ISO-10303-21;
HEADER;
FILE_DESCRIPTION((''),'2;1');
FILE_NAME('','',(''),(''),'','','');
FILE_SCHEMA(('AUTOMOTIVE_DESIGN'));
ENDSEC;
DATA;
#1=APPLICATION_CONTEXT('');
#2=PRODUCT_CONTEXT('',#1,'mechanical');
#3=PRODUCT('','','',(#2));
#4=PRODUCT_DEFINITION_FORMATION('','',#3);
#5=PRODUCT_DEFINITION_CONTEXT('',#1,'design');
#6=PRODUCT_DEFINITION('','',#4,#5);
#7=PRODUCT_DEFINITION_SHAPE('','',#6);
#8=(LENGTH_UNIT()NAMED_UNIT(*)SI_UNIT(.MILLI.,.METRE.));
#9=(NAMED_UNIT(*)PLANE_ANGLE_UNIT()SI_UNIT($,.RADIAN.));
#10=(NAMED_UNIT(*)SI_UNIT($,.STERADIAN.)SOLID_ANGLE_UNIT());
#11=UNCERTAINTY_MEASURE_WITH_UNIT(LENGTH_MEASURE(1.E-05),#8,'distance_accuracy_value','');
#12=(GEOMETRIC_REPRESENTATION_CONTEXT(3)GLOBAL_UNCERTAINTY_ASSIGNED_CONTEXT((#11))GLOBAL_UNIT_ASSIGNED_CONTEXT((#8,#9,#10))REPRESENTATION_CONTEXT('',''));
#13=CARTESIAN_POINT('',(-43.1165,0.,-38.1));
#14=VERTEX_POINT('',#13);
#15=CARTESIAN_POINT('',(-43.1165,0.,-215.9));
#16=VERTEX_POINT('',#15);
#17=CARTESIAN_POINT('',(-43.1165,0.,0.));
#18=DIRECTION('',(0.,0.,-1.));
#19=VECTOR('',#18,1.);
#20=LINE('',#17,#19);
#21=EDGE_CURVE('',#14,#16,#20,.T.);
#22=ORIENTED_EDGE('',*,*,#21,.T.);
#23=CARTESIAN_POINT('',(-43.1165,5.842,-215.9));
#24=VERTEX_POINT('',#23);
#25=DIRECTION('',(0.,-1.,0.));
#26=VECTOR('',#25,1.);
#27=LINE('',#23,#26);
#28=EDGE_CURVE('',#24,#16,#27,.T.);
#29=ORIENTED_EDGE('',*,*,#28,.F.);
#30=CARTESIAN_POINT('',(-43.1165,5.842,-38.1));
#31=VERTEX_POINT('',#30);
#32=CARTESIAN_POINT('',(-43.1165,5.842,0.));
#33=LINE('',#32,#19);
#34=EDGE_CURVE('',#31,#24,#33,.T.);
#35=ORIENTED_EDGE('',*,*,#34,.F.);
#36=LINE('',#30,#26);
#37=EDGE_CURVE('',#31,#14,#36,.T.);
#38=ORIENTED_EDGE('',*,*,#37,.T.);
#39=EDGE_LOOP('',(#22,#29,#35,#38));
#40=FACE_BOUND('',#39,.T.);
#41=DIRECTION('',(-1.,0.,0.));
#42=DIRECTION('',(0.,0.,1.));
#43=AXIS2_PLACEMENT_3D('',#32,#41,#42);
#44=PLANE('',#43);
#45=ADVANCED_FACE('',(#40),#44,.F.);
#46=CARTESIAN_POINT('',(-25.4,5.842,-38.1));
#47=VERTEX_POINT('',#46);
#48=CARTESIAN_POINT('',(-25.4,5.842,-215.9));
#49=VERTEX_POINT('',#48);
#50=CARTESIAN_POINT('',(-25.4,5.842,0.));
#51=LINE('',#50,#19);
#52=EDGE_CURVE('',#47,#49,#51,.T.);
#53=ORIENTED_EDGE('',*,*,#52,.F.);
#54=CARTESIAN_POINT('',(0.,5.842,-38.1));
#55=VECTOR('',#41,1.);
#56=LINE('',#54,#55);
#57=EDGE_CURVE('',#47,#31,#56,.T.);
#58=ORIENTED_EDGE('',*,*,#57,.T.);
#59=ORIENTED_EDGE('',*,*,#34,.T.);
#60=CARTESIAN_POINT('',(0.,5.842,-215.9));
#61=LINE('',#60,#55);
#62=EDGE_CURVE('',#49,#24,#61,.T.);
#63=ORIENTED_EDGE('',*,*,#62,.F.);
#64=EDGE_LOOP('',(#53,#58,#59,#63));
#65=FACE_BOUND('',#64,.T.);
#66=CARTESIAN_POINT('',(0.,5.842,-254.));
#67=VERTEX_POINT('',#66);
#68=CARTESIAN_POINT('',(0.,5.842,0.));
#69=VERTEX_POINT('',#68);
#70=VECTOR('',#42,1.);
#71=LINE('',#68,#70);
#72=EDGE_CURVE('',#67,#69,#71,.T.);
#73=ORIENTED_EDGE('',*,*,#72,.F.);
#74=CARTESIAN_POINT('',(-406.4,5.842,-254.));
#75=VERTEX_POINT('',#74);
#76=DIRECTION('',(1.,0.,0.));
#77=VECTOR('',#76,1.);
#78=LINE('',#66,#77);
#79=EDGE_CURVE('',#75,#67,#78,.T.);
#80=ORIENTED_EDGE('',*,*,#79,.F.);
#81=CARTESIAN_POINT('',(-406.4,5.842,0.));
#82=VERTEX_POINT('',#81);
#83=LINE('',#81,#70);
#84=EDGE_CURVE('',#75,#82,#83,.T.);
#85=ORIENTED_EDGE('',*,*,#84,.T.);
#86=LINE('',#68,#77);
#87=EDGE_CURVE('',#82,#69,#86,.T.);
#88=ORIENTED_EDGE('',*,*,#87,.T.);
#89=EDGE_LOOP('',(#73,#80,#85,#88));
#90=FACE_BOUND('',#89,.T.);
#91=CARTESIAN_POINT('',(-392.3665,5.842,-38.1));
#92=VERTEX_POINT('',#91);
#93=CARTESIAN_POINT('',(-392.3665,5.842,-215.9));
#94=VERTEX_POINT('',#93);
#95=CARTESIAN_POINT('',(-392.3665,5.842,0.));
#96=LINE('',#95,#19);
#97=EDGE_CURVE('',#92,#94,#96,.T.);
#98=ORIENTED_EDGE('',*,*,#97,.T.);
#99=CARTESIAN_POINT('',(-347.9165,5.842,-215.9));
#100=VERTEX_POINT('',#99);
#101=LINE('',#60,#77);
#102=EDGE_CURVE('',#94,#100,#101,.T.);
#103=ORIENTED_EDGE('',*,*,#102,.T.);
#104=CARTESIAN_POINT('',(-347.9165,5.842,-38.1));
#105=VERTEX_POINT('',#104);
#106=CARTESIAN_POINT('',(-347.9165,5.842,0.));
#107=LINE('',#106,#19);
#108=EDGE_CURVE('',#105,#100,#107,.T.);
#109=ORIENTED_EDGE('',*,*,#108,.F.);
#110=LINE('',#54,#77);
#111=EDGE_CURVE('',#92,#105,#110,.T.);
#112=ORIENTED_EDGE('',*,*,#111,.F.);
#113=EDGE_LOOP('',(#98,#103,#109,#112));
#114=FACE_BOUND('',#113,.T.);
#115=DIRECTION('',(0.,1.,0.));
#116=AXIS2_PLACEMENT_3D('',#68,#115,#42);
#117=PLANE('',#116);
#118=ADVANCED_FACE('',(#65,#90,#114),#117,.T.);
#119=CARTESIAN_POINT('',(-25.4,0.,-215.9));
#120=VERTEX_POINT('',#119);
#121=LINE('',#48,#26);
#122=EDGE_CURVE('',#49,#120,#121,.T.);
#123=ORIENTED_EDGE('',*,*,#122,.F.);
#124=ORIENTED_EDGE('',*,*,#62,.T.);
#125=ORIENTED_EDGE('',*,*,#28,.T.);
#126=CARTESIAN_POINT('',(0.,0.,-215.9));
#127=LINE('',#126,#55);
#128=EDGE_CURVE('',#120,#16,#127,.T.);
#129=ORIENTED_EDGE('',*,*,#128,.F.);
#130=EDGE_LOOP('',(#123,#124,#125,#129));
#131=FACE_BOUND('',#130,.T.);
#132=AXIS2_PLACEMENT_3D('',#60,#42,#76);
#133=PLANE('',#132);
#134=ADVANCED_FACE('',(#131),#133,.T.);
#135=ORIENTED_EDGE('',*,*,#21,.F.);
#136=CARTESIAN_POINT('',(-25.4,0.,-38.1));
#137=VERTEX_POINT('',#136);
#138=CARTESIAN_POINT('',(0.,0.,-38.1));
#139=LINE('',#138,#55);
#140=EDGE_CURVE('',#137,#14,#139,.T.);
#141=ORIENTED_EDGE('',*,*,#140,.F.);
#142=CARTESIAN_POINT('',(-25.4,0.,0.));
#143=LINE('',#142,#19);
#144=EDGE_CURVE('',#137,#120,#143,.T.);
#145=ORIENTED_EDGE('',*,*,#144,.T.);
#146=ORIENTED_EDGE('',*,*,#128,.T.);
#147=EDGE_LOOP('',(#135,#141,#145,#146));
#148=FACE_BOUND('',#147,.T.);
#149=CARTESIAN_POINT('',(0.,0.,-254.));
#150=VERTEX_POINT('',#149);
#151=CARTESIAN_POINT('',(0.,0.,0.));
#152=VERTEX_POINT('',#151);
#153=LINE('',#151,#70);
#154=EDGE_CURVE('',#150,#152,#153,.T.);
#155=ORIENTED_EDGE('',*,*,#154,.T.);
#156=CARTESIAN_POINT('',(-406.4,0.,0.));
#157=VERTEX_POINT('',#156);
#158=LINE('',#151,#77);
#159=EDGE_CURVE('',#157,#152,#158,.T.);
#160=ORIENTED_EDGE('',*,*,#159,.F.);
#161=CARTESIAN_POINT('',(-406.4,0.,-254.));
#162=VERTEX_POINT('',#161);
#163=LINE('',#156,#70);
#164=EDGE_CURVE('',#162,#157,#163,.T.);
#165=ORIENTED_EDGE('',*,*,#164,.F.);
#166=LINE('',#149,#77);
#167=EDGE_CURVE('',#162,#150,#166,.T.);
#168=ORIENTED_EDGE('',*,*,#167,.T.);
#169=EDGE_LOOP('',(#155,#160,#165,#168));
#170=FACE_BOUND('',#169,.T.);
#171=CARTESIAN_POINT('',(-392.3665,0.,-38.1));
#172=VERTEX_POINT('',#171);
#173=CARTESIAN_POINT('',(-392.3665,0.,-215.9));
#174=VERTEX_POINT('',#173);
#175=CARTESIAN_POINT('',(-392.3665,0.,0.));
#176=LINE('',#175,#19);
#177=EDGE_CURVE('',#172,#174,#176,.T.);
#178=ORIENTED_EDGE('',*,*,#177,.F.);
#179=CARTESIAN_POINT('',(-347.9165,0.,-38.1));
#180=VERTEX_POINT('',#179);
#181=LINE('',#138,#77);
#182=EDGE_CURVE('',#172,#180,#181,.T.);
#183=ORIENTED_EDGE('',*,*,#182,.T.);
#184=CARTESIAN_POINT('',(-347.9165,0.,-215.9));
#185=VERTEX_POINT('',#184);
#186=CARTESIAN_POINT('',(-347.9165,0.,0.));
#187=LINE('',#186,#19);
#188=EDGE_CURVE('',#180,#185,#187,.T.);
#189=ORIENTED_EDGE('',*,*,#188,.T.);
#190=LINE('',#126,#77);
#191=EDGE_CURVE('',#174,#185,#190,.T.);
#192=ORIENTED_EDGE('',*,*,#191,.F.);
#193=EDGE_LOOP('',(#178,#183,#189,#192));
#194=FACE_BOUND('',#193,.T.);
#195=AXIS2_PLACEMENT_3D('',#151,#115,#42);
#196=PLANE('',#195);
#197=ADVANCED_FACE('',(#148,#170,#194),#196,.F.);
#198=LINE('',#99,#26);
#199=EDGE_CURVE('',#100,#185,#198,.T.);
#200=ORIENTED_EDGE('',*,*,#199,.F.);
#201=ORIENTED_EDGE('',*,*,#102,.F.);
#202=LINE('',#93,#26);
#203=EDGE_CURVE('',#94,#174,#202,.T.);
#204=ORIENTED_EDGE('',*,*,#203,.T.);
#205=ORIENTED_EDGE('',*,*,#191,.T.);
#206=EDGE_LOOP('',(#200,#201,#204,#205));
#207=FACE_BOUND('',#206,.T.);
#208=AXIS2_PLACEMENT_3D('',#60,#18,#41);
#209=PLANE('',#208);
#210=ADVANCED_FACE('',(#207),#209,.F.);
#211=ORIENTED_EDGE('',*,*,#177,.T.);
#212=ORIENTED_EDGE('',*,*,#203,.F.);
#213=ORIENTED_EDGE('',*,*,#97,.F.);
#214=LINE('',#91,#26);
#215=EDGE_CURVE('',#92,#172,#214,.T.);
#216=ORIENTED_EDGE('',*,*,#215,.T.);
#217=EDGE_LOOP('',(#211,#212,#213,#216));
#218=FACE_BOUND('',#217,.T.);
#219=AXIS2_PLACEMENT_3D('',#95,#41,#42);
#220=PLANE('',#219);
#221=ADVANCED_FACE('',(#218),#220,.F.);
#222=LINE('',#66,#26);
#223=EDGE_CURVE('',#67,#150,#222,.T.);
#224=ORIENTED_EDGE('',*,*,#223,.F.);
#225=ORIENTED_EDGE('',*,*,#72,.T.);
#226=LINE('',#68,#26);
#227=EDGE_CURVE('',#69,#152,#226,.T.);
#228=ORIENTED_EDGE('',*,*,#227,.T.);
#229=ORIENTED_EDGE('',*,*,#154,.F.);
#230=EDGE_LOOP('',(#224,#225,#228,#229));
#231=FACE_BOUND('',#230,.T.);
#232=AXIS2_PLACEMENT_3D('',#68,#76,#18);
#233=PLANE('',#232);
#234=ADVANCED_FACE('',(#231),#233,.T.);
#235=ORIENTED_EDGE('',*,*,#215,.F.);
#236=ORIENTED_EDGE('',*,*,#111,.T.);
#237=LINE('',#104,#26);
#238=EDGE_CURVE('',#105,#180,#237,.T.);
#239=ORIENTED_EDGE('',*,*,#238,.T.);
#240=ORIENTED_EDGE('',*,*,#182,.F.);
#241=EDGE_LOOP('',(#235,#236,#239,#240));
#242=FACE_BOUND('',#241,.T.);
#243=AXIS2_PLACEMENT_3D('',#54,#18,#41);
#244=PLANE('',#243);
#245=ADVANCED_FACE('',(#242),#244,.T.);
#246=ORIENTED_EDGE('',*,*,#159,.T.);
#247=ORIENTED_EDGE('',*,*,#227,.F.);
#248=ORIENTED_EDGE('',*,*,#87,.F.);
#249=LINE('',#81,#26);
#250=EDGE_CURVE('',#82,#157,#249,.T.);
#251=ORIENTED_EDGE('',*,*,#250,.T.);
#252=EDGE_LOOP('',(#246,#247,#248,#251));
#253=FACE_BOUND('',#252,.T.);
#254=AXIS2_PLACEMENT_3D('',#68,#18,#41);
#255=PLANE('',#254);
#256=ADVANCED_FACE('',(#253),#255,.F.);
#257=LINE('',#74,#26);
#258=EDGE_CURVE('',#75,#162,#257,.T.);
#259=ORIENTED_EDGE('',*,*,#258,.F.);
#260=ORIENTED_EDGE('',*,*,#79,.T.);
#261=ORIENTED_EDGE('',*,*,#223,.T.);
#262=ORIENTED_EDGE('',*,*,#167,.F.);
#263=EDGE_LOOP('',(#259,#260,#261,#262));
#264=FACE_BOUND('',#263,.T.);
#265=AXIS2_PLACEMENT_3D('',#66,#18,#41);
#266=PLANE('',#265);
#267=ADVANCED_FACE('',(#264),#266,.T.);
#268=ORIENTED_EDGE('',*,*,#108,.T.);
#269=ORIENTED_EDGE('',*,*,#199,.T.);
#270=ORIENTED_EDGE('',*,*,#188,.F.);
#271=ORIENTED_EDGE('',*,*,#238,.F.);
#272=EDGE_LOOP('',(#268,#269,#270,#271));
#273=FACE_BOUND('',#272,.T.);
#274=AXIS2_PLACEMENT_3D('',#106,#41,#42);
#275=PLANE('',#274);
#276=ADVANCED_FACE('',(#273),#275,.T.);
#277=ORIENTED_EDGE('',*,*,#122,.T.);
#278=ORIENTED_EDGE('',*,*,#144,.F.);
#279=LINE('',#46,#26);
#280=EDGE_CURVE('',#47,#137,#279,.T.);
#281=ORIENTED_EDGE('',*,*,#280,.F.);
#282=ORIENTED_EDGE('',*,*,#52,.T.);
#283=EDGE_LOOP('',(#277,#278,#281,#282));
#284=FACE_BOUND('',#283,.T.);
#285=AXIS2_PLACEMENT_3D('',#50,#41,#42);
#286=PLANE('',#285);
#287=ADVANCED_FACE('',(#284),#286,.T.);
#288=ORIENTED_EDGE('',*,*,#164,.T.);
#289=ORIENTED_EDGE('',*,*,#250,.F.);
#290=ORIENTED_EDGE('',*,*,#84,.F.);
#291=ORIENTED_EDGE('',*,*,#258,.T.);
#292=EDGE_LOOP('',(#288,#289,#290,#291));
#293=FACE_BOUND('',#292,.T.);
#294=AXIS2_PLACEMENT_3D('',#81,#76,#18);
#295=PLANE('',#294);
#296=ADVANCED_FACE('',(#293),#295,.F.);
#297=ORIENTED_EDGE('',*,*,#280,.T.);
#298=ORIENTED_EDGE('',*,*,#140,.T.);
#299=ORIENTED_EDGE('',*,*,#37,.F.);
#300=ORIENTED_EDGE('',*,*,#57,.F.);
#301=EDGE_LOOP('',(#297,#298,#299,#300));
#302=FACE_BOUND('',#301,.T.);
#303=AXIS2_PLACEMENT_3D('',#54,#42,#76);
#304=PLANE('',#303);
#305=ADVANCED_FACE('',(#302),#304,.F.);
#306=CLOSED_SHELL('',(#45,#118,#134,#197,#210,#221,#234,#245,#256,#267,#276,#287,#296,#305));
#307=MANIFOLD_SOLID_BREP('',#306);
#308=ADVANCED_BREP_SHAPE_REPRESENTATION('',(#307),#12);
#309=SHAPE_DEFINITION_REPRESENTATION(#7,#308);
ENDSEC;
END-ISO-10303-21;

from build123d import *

# Parameters (mm, degrees)
SKETCH1_W           = 406.4
SKETCH1_H           = 254
SKETCH1_W_2         = 44.45
SKETCH1_H_2         = 177.8
SKETCH1_W_3         = 17.7165
BOSS_EXTRUDE1_DEPTH = 5.842


with BuildPart() as part:
    # Sketch1 → Boss-Extrude1 (new body)
    with BuildSketch(Plane(origin=(0, 0, 0), x_dir=(1, 0, 0), z_dir=(0, 1, 0))):
        with Locations((-203.2, 127)):
            Rectangle(SKETCH1_W, SKETCH1_H)
        with Locations((-370.1415, 127)):
            Rectangle(SKETCH1_W_2, SKETCH1_H_2, mode=Mode.SUBTRACT)
        with Locations((-34.25825, 127)):
            Rectangle(SKETCH1_W_3, SKETCH1_H_2, mode=Mode.SUBTRACT)
    extrude(amount=BOSS_EXTRUDE1_DEPTH)


solid = part.part
